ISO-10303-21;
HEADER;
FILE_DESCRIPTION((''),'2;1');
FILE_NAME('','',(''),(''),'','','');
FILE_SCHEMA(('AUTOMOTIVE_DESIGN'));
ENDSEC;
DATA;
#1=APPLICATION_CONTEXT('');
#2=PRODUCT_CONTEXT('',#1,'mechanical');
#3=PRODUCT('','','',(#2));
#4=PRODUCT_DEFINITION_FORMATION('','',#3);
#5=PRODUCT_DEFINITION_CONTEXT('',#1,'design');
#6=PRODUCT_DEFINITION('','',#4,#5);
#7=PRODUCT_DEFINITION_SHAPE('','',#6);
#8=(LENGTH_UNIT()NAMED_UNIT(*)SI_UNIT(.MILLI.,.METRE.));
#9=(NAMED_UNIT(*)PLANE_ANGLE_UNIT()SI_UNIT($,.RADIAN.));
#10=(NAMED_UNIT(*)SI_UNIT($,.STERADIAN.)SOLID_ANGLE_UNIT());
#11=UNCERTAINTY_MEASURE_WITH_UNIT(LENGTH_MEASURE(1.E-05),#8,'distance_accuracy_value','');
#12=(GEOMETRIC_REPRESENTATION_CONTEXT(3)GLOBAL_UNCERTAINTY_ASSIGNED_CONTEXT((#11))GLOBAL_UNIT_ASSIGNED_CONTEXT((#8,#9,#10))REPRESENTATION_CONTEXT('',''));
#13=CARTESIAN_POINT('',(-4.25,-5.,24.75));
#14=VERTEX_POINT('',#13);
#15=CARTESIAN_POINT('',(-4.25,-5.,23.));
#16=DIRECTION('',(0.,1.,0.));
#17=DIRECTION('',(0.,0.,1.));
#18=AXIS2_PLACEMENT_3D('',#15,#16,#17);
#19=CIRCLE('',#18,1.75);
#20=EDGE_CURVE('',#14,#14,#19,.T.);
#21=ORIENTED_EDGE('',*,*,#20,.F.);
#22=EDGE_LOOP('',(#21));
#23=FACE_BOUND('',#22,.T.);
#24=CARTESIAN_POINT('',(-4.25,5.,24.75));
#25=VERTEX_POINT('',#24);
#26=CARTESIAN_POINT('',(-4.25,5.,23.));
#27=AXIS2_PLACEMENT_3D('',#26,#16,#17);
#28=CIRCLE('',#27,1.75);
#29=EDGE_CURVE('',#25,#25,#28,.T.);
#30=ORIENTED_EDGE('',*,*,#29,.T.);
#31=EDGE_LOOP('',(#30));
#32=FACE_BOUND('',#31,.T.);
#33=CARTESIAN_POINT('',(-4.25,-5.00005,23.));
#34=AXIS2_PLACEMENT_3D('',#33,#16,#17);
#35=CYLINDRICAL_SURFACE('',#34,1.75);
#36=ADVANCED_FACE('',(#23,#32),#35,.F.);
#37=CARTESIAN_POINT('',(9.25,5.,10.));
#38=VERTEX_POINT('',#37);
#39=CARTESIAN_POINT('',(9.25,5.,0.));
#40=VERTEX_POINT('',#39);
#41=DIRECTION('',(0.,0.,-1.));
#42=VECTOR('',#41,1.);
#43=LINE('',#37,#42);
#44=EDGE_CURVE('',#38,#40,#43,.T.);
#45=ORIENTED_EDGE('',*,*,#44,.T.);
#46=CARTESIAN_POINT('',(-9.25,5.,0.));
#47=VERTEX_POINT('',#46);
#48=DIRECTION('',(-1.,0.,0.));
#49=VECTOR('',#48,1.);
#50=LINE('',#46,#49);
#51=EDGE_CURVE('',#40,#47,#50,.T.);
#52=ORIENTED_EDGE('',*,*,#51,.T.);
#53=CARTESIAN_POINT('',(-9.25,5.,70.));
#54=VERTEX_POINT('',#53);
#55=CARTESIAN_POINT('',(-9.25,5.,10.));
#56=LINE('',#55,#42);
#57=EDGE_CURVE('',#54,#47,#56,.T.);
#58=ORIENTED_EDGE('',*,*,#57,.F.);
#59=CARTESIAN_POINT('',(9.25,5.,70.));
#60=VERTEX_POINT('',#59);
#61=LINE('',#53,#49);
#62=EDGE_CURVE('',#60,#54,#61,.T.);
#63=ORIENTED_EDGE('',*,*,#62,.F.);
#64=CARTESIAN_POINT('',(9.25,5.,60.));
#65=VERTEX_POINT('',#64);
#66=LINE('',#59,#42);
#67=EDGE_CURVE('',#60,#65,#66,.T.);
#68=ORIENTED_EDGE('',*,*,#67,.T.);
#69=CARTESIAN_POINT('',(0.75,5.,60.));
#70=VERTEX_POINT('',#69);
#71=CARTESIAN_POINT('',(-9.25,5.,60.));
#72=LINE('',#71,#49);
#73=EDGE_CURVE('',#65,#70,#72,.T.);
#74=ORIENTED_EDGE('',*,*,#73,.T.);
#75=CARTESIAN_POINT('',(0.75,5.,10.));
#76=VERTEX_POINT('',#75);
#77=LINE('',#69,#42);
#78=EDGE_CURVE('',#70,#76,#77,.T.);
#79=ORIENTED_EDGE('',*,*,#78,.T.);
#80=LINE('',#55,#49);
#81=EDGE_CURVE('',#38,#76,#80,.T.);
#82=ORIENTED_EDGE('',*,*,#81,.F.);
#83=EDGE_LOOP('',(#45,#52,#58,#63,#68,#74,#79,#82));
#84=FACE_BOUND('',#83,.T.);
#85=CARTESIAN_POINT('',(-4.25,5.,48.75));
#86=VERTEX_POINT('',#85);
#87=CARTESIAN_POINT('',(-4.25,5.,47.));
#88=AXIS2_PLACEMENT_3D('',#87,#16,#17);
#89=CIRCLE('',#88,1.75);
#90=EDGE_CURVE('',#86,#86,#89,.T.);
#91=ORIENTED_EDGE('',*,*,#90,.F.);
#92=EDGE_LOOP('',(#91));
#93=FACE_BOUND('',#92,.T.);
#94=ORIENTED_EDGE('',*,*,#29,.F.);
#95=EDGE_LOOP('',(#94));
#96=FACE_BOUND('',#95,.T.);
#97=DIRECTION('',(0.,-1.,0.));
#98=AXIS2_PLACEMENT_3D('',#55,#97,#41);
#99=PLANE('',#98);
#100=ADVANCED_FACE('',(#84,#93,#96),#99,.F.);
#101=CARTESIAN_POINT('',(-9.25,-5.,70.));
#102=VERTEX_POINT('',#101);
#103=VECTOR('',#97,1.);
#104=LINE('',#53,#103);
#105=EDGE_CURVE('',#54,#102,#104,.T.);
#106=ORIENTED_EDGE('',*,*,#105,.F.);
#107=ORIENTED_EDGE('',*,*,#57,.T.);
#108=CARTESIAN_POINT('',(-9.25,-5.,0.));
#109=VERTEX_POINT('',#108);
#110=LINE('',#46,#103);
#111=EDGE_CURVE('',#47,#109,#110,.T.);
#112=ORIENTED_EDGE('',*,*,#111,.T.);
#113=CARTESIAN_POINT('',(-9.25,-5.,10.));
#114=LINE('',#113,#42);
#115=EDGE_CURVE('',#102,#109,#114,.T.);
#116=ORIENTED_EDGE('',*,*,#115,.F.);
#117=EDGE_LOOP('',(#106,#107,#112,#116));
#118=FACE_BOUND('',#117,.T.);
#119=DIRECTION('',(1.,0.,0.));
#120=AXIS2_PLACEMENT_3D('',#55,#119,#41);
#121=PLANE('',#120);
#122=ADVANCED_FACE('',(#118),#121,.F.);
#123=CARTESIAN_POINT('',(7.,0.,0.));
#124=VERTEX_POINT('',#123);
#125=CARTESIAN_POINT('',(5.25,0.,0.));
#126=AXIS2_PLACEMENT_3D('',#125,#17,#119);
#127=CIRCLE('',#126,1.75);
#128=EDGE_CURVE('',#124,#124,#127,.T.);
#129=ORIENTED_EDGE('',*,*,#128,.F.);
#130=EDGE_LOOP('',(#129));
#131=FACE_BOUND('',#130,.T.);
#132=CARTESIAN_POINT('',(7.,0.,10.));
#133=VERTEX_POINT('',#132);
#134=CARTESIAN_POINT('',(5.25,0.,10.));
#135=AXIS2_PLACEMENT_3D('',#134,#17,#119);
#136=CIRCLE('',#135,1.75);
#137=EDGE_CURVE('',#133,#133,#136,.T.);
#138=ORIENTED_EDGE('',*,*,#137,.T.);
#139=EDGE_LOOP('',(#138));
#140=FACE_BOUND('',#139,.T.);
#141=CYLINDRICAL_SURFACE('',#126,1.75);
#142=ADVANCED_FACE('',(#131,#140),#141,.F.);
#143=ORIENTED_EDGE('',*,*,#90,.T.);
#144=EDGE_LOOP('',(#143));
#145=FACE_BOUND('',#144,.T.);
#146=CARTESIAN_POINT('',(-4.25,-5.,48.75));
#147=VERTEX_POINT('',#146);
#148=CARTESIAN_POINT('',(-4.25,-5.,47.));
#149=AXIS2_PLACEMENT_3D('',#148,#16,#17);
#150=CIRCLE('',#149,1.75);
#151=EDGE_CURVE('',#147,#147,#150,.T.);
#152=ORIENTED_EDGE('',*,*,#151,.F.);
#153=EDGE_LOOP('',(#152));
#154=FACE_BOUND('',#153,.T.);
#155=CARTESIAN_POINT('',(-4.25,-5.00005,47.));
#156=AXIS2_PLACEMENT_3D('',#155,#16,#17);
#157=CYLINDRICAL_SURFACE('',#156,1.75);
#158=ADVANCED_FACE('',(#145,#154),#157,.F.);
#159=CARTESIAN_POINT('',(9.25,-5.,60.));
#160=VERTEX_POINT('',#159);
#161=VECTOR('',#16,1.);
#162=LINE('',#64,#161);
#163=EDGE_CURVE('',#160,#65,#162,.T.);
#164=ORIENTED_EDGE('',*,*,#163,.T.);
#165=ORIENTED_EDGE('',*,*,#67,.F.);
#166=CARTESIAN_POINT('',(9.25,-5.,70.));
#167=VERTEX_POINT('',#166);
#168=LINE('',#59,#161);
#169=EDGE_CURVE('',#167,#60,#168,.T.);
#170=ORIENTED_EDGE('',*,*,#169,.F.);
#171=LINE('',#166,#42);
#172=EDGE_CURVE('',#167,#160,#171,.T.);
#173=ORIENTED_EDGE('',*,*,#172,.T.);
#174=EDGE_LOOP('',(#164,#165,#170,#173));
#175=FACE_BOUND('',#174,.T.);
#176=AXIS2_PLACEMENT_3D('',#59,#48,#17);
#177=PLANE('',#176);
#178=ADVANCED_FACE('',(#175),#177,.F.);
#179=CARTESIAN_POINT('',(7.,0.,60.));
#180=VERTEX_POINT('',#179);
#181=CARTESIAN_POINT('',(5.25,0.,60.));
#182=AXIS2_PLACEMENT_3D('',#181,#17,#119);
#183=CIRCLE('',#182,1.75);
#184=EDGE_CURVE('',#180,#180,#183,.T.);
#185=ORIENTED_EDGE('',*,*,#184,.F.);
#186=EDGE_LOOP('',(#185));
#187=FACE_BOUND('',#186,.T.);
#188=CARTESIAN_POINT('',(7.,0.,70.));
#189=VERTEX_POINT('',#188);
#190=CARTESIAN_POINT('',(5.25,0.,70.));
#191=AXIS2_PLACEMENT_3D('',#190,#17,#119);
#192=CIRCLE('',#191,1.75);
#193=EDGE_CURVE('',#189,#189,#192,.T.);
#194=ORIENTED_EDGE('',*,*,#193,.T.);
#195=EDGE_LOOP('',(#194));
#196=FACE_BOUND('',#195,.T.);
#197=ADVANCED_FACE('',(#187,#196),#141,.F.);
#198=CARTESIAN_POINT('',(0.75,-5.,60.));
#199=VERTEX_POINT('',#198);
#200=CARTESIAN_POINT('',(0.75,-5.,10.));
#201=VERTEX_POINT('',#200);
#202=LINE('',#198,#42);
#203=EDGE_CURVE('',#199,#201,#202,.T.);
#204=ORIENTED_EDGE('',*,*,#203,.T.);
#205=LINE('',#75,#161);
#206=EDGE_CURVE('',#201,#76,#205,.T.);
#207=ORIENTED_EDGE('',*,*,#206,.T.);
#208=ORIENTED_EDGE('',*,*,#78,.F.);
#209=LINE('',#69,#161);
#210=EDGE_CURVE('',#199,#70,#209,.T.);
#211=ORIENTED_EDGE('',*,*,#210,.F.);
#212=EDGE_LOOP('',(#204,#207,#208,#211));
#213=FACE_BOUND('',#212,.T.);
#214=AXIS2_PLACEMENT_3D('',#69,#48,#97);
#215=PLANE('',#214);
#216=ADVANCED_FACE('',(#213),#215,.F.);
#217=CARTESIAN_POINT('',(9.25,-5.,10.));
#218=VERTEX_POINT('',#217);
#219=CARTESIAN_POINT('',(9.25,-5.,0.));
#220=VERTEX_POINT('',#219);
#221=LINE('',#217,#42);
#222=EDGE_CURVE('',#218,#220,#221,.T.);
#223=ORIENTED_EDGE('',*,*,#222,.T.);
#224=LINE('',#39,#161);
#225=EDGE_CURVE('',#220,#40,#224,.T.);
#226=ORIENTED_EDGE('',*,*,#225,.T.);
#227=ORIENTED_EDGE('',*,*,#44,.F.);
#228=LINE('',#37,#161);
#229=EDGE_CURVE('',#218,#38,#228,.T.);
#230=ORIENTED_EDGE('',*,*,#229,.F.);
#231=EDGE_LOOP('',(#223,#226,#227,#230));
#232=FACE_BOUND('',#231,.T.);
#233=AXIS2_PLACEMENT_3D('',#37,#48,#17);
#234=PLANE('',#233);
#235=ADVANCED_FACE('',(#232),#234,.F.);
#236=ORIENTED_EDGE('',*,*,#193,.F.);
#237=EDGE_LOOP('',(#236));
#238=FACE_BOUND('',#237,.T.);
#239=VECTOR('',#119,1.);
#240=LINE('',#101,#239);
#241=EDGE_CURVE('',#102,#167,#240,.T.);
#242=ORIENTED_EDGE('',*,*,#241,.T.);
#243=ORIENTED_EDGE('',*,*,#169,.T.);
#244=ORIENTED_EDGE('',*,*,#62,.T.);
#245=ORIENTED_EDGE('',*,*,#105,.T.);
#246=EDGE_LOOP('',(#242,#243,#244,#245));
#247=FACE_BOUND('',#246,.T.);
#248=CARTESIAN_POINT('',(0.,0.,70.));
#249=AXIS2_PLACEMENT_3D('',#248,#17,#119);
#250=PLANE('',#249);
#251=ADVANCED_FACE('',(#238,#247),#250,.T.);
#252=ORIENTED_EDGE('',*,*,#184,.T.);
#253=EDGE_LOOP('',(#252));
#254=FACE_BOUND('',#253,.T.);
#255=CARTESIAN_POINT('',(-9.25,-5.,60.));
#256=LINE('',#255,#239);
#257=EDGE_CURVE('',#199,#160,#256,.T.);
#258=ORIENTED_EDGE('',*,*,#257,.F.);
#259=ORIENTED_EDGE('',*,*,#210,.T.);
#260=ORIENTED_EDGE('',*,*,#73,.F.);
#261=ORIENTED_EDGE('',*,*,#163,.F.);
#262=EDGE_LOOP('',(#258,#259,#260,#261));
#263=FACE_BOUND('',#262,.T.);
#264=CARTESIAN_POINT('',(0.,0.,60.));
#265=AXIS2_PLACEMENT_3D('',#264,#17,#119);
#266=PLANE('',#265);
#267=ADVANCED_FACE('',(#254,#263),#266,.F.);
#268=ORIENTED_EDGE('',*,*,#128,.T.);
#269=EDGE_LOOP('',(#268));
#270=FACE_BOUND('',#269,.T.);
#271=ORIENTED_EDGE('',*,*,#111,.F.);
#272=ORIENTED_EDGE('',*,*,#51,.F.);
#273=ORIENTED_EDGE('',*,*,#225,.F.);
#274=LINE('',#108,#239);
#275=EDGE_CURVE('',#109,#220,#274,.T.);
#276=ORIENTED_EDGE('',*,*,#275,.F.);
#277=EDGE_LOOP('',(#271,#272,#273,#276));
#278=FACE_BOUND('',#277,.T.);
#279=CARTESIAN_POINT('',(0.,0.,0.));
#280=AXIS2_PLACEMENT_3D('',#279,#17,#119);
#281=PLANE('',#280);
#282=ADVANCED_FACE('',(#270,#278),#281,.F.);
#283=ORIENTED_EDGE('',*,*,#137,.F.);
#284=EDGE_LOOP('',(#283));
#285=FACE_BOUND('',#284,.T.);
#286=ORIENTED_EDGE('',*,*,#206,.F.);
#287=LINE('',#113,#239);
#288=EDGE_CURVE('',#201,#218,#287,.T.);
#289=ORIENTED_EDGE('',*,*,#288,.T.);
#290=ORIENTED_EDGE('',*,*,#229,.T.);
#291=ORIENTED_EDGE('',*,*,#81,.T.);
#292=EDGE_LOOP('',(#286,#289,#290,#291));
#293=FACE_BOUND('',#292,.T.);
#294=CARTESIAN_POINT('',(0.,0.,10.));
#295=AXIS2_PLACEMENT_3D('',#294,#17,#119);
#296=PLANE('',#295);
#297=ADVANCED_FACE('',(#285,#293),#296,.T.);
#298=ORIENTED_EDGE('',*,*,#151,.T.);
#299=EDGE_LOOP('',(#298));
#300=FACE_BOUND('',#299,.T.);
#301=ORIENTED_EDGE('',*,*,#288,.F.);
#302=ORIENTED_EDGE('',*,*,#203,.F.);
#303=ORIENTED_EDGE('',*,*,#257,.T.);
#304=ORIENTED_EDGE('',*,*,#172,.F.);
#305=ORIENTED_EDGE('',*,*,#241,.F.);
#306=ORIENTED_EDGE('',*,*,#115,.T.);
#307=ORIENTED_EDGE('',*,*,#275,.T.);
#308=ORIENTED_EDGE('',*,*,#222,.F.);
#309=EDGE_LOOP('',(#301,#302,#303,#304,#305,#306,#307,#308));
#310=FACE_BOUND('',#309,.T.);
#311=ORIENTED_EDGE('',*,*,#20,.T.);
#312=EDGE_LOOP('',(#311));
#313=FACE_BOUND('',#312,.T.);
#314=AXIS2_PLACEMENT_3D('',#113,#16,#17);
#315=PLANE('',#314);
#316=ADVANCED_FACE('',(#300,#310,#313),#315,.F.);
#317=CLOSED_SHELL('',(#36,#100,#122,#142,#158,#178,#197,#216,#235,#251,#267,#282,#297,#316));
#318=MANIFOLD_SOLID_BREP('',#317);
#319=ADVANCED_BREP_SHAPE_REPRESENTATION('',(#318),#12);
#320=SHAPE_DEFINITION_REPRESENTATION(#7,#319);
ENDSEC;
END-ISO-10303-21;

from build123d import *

# Parameters (mm, degrees)
SKETCH1_W           = 18.5
SKETCH1_H           = 10
BOSS_EXTRUDE1_DEPTH = 10
SKETCH2_W           = 10
SKETCH2_H           = 10
BOSS_EXTRUDE2_DEPTH = 50
SKETCH3_W           = 18.5
SKETCH3_H           = 10
BOSS_EXTRUDE3_DEPTH = 10
SKETCH4_R           = 1.75
CUT_EXTRUDE1_DEPTH  = 71.785326869
SKETCH5_R           = 1.75
CUT_EXTRUDE2_DEPTH  = 72.313129927


with BuildPart() as part:
    # Sketch1 → Boss-Extrude1 (new body)
    with BuildSketch(Plane.XY):
        Rectangle(SKETCH1_W, SKETCH1_H)
    extrude(amount=BOSS_EXTRUDE1_DEPTH)

    # Sketch2 → Boss-Extrude2 (add)
    with BuildSketch(Plane.XY.offset(10)):
        with Locations((-4.25, 0)):
            Rectangle(SKETCH2_W, SKETCH2_H)
    extrude(amount=BOSS_EXTRUDE2_DEPTH)

    # Sketch3 → Boss-Extrude3 (add)
    with BuildSketch(Plane.XY.offset(60)):
        Rectangle(SKETCH3_W, SKETCH3_H)
    extrude(amount=BOSS_EXTRUDE3_DEPTH)

    # Sketch4 → Cut-Extrude1 (cut, through all)
    with BuildSketch(Plane.XY.offset(70)):
        with Locations((5.25, 0)):
            Circle(SKETCH4_R)
    extrude(amount=-CUT_EXTRUDE1_DEPTH, mode=Mode.SUBTRACT)

    # Sketch5 → Cut-Extrude2 (cut, through all)
    with BuildSketch(Plane(origin=(0, 5, 0), x_dir=(1, 0, 0), z_dir=(0, 1, 0))):
        with Locations(Location((-4.25, -23, 0), (0, 0, 270))):
            Circle(SKETCH5_R)
        with Locations(Location((-4.25, -47, 0), (0, 0, 270))):
            Circle(SKETCH5_R)
    extrude(amount=-CUT_EXTRUDE2_DEPTH, mode=Mode.SUBTRACT)


solid = part.part
